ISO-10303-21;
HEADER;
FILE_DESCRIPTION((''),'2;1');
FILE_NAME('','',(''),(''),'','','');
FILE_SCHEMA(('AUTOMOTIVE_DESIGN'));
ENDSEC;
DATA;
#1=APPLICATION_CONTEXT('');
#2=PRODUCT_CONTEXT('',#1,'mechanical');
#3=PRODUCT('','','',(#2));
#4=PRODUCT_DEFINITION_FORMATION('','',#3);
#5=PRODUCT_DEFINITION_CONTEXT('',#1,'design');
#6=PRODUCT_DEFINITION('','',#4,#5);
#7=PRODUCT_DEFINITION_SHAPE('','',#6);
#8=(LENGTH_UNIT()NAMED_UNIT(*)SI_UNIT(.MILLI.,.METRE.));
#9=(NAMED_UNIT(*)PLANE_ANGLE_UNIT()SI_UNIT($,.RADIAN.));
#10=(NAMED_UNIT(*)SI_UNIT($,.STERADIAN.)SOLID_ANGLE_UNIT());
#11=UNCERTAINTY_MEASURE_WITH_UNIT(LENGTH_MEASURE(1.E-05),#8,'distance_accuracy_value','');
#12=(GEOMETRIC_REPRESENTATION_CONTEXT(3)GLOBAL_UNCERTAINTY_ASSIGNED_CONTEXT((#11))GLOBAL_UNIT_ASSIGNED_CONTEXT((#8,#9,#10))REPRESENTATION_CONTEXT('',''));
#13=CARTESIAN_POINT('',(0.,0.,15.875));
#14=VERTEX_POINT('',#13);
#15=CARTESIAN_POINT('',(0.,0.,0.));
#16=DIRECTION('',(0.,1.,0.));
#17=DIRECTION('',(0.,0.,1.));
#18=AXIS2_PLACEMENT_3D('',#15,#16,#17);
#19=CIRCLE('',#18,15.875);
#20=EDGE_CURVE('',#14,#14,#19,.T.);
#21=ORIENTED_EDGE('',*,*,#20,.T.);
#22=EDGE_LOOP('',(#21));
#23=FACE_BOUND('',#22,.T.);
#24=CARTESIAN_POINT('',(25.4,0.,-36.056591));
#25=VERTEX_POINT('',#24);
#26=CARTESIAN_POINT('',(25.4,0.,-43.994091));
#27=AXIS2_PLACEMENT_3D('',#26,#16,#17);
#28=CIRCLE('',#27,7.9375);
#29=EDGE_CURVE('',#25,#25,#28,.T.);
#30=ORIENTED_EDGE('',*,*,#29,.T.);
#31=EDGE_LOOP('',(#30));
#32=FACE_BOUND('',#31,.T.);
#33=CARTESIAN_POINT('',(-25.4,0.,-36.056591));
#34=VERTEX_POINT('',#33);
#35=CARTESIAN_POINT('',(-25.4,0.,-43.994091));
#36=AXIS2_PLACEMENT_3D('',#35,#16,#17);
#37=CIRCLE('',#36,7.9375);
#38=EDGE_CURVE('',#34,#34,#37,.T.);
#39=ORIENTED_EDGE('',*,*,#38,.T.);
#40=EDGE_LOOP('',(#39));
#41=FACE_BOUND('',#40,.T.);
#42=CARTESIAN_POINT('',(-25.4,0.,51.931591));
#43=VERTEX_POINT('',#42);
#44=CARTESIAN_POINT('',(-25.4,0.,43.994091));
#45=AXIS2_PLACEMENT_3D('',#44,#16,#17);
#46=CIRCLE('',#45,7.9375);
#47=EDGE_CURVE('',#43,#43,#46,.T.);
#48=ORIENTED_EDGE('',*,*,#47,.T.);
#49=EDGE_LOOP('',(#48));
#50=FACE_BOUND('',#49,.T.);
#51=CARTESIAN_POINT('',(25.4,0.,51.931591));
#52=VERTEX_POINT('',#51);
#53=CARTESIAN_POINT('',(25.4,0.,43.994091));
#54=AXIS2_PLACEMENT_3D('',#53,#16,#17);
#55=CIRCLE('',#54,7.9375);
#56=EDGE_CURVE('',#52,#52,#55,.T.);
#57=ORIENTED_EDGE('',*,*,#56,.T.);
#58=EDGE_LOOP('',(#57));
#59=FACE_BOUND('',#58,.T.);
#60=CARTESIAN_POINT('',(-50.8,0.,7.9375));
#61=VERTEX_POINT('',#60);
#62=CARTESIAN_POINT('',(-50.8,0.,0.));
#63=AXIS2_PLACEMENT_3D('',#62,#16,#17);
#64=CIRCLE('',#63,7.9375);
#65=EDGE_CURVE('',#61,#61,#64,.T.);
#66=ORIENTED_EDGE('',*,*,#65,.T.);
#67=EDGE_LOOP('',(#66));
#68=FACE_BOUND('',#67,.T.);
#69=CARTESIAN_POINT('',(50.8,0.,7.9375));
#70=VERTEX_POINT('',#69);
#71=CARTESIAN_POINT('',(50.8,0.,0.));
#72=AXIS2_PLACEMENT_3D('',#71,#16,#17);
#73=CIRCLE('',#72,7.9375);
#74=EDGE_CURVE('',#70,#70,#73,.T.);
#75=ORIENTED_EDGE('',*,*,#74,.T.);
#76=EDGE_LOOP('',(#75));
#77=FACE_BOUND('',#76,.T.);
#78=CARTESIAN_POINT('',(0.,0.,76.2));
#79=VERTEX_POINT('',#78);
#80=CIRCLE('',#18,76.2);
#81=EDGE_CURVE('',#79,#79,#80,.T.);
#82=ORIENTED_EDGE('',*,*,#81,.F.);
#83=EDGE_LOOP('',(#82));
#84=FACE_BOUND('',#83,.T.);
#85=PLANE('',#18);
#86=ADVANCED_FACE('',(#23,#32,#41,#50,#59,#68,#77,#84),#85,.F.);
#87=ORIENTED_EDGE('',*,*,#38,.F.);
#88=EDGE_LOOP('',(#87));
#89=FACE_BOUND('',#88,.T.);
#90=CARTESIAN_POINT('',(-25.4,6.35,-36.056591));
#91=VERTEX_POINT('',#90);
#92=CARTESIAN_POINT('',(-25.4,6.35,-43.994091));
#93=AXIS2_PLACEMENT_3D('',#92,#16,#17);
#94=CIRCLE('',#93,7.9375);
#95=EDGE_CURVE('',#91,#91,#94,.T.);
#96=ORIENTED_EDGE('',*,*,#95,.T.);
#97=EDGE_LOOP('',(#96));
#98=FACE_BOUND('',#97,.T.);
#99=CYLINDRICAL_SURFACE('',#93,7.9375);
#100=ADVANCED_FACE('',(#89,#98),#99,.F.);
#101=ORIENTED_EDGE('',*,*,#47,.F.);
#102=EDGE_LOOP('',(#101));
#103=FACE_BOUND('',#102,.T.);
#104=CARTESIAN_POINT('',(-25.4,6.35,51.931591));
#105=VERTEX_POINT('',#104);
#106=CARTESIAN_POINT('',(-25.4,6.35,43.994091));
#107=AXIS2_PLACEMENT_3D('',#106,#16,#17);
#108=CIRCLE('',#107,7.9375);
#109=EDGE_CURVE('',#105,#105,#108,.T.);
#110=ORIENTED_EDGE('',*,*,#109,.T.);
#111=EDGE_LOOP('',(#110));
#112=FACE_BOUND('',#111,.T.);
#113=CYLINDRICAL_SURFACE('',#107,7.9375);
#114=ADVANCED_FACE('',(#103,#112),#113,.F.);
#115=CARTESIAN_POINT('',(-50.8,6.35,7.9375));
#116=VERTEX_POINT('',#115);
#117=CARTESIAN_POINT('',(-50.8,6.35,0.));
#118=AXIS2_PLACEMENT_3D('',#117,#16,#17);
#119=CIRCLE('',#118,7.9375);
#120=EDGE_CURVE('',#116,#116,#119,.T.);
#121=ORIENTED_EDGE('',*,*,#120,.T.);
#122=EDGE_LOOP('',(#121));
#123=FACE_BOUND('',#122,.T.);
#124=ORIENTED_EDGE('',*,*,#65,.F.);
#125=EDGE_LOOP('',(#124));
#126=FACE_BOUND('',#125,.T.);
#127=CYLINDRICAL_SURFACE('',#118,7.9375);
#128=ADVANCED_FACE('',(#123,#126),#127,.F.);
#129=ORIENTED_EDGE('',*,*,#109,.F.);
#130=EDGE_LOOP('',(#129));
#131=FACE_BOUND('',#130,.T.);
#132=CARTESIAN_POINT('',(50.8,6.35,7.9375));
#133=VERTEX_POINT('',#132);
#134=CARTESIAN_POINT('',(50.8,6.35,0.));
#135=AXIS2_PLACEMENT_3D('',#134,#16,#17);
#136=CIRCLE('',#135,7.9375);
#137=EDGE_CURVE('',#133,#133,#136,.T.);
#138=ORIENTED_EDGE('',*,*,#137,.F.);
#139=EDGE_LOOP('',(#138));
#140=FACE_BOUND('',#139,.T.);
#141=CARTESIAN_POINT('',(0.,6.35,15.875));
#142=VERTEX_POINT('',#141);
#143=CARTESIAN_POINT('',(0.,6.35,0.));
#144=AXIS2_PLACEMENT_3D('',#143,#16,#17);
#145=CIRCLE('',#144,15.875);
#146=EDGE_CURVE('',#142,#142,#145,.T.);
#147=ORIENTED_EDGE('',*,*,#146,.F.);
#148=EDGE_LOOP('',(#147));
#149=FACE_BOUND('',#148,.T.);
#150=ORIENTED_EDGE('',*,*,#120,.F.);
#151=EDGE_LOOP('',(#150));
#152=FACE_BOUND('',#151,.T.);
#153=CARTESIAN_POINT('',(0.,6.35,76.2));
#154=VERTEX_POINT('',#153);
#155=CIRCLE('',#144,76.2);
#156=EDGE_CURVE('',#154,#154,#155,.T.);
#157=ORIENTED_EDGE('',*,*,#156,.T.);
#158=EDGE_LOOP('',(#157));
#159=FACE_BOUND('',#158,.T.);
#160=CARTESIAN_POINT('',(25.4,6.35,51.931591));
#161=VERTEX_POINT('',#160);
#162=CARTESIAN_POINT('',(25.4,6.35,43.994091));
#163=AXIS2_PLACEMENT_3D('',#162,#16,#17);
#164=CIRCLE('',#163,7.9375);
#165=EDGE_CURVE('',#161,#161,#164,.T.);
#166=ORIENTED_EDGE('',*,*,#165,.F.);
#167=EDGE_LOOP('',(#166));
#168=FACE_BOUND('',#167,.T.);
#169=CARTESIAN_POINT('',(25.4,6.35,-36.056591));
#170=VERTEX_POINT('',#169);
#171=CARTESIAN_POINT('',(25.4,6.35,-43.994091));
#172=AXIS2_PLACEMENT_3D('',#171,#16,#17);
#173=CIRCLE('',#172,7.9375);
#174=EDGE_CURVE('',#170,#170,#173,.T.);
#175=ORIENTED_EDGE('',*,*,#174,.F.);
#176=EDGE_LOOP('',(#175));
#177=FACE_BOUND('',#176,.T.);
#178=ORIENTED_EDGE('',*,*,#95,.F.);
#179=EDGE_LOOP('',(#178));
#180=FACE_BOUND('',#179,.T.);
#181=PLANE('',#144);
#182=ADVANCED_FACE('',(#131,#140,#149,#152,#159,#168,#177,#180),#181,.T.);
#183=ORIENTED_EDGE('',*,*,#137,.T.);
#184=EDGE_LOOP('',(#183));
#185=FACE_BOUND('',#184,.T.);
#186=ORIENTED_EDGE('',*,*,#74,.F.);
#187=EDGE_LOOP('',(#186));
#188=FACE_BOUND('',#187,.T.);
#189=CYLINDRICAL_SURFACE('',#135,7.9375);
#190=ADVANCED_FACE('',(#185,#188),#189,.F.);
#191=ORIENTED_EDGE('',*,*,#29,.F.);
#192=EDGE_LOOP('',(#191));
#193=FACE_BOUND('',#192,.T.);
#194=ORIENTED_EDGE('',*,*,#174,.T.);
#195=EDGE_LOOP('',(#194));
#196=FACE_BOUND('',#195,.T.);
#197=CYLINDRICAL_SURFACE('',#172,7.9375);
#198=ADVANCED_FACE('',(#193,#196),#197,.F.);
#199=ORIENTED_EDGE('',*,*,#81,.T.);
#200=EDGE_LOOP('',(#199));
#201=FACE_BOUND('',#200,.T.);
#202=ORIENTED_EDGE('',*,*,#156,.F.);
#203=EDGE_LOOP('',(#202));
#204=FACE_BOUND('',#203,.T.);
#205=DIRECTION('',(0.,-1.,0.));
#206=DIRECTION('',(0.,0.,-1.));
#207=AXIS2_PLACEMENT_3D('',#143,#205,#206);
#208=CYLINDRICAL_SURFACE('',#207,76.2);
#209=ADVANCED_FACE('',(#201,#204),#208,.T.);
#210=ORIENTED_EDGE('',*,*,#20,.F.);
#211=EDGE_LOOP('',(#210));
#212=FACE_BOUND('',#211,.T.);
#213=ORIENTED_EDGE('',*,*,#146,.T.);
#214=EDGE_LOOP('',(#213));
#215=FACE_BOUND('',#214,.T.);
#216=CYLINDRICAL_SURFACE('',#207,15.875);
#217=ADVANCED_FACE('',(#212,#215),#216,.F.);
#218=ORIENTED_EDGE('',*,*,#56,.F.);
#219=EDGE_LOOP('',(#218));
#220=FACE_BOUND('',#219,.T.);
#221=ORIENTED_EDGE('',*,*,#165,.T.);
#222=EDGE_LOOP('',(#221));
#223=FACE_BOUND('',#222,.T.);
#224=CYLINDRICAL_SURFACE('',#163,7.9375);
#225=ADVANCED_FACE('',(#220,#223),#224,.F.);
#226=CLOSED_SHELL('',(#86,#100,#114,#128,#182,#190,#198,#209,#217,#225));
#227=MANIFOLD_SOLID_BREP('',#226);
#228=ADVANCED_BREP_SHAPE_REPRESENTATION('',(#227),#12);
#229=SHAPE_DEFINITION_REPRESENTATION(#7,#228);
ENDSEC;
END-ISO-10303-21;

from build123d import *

# Parameters (mm, degrees)
SKETCH1_R                    = 76.2
SKETCH1_R_2                  = 15.875
PLATE_EXTRUDE_DEPTH          = 6.35
F_5_8_0_625_DIAMETER_HOLE1_D = 15.875
CIRPATTERN1_COUNT            = 6


with BuildPart() as part:
    # Sketch1 → Plate extrude (new body)
    with BuildSketch(Plane(origin=(0, 0, 0), x_dir=(1, 0, 0), z_dir=(0, 1, 0))):
        with Locations(Location((0, 0, 0), (0, 0, 270))):
            Circle(SKETCH1_R)
        with Locations(Location((0, 0, 0), (0, 0, 270))):
            Circle(SKETCH1_R_2, mode=Mode.SUBTRACT)
    extrude(amount=PLATE_EXTRUDE_DEPTH)

    # 5/8 (0.625) Diameter Hole1 (through all)
    with Locations(Plane(origin=(0, 6.35, 0), x_dir=(1, 0, 0), z_dir=(0, 1, 0))):
        with Locations((-50.8, 0)):
            f_5_8_0_625_diameter_hole1 = Hole(F_5_8_0_625_DIAMETER_HOLE1_D / 2)

    # CirPattern1: 5/8 (0.625) Diameter Hole1 ×6 about axis
    cirpattern1_axis = Axis((0, 0, 0), (0, 1, 0))
    for i in range(1, CIRPATTERN1_COUNT):
        add(f_5_8_0_625_diameter_hole1.rotate(cirpattern1_axis, i * 360 / CIRPATTERN1_COUNT), mode=Mode.SUBTRACT)


solid = part.part
